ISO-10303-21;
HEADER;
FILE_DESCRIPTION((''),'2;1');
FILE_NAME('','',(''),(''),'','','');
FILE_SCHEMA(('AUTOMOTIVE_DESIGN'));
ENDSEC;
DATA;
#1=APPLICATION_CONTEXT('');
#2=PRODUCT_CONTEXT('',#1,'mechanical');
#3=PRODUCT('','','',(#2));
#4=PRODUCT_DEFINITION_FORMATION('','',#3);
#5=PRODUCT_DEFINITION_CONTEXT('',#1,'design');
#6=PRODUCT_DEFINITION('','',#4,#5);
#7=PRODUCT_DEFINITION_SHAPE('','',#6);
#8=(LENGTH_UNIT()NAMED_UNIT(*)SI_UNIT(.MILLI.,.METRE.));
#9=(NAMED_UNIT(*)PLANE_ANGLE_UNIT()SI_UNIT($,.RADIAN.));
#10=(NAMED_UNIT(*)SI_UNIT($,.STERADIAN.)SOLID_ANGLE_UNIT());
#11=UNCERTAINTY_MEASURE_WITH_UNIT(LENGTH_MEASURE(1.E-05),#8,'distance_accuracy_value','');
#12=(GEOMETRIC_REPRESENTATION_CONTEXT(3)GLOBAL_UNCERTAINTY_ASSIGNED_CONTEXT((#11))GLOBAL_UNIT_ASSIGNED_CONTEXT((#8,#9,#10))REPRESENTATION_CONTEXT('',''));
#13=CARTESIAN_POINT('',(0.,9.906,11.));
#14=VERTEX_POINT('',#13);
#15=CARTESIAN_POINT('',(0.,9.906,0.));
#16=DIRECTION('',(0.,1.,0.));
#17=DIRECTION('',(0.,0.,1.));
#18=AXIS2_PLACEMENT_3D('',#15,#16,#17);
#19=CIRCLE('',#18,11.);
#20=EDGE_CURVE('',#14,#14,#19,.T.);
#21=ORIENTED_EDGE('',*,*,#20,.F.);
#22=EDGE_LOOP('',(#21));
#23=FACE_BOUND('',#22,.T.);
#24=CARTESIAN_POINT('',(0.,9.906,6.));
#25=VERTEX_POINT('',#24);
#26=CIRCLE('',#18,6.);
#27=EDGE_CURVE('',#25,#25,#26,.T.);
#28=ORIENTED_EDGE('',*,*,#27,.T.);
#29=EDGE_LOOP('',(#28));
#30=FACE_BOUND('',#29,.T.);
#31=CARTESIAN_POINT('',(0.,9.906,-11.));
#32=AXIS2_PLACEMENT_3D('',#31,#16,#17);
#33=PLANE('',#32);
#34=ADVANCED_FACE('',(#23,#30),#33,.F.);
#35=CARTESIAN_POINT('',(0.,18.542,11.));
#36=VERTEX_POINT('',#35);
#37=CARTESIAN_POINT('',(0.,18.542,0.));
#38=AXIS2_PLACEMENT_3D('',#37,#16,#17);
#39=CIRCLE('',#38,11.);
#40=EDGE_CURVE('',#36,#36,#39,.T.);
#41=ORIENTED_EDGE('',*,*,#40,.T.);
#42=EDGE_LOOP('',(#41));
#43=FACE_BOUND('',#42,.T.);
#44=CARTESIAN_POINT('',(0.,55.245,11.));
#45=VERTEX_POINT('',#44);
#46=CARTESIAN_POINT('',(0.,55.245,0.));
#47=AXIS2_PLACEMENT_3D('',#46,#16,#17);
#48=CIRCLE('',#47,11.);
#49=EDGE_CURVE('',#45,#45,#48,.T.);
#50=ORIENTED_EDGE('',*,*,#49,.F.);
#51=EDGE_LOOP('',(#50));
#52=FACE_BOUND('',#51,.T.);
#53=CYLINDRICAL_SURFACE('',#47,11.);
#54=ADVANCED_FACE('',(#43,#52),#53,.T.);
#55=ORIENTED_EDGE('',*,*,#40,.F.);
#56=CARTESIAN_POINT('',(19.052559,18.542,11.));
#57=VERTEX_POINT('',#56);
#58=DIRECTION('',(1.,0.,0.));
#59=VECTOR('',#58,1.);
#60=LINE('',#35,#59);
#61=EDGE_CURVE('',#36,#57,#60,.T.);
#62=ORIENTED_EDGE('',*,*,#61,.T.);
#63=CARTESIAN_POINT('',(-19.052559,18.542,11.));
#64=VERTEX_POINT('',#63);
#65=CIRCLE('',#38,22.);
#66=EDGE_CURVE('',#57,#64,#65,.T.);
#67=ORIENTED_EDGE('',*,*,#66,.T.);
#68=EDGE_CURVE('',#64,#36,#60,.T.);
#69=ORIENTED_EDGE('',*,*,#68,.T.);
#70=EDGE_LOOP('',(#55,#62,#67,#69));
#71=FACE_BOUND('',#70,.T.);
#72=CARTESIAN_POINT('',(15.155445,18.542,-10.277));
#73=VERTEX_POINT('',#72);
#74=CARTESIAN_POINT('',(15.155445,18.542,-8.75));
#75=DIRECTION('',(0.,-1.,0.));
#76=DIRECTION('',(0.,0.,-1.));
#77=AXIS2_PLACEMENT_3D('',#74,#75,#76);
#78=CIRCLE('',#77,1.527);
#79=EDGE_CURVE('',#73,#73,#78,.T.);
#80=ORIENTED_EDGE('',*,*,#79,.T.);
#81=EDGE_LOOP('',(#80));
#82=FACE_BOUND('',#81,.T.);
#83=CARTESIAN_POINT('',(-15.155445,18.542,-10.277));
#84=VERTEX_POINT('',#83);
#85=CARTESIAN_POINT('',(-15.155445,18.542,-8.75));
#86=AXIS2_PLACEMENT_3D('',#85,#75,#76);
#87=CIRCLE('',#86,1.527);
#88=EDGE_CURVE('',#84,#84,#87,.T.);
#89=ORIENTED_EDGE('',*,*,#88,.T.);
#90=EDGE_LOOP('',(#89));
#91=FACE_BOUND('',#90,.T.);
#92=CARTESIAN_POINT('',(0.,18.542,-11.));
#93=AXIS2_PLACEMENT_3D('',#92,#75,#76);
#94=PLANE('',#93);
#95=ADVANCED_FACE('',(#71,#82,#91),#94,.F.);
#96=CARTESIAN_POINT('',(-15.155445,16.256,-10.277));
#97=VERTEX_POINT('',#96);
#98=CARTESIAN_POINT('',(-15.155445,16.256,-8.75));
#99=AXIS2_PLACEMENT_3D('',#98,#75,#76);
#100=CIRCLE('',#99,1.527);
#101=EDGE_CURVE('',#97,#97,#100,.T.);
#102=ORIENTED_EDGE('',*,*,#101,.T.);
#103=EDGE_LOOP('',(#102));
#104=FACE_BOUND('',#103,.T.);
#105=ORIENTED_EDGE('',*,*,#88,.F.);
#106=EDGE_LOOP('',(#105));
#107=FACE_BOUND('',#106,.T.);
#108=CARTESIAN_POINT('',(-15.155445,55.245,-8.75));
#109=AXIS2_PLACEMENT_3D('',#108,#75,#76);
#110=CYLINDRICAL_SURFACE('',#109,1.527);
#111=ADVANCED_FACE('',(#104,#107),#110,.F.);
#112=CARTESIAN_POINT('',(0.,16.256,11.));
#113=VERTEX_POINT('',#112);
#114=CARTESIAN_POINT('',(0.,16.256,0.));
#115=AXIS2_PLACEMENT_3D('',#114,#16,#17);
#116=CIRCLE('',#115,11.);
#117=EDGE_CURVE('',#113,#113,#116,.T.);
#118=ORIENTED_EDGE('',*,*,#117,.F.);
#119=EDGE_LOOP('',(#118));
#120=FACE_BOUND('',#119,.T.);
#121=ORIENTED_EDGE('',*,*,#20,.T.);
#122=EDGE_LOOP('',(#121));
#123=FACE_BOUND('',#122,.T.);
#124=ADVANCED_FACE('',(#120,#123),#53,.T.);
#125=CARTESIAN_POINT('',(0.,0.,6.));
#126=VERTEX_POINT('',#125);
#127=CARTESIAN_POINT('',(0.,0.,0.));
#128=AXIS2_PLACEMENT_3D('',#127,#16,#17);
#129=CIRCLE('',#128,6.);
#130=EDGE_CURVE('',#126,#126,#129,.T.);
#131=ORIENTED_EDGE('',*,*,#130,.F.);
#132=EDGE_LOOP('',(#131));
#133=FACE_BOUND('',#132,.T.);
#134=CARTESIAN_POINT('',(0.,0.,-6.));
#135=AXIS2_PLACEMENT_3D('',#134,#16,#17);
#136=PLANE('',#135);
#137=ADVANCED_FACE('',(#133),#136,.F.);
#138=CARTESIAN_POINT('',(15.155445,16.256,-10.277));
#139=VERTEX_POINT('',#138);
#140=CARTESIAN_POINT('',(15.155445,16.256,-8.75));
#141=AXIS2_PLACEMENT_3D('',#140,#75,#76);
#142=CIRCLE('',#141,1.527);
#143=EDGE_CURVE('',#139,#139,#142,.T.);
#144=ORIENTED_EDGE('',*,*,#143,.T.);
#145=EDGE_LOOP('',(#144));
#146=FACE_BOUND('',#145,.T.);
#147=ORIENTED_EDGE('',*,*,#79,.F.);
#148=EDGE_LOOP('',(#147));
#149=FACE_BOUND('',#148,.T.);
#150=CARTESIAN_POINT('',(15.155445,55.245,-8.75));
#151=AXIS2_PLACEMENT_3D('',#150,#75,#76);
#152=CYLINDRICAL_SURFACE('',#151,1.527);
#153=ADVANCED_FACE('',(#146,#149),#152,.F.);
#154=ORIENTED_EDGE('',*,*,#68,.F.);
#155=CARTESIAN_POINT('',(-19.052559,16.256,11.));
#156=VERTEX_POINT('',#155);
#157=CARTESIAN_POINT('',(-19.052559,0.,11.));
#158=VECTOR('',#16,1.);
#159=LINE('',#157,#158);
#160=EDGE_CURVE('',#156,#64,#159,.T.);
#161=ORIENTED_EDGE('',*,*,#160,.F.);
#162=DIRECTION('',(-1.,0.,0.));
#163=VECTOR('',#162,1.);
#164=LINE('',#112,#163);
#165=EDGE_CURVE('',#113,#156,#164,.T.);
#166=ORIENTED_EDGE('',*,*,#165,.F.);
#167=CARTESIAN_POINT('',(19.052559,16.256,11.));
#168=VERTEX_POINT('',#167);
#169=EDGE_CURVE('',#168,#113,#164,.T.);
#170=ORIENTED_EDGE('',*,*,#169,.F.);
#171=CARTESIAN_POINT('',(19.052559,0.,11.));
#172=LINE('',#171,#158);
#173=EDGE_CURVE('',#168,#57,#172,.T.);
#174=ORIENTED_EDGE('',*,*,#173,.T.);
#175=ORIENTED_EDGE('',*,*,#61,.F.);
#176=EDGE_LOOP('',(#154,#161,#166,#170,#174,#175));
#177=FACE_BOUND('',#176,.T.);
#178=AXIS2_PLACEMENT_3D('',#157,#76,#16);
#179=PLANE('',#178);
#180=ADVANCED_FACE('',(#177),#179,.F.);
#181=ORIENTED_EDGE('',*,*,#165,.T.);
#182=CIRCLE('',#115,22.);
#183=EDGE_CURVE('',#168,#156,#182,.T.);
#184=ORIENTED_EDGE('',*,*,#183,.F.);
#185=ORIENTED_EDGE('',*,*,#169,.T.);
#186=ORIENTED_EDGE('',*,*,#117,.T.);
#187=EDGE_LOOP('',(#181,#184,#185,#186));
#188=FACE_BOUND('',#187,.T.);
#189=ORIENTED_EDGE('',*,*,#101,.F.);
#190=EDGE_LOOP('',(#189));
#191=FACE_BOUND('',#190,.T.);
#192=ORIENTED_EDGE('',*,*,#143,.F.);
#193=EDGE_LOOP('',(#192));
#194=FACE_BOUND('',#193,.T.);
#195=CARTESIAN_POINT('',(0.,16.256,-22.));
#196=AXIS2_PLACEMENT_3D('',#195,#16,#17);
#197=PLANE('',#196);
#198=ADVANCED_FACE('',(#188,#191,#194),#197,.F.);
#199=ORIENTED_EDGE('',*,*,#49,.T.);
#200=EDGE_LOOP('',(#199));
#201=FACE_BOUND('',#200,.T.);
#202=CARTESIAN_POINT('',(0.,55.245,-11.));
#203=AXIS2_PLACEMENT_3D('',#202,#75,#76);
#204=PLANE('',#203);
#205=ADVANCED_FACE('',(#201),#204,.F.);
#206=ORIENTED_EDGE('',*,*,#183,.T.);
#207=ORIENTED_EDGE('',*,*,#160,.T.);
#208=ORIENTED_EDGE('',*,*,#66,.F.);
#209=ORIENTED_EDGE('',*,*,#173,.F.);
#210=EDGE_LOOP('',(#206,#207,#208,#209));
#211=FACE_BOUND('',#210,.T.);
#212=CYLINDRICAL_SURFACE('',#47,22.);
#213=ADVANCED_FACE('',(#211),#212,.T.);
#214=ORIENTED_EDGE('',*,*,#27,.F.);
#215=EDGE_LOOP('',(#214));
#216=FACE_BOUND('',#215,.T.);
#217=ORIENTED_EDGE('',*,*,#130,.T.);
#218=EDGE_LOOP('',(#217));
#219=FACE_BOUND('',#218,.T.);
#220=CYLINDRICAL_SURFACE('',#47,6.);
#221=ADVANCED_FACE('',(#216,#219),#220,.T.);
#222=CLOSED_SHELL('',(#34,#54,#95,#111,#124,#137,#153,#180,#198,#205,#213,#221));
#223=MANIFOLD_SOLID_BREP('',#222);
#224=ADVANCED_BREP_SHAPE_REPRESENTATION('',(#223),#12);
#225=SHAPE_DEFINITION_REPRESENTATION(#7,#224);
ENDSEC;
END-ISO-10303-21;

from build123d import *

# Parameters (mm, degrees)
SKETCH2_R               = 1.526999994
CUT_EXTRUDE1_DEPTH      = 50.881280215
CUT_EXTRUDE2_DEPTH      = 49.115592108
CUT_EXTRUDE2_DEPTH_BACK = 49.115592108


with BuildPart() as part:
    # Sketch1 → Revolve1 (revolve)
    with BuildSketch(Plane(origin=(0, 0, 0), x_dir=(0, 0, -1), z_dir=(1, 0, 0)), mode=Mode.PRIVATE) as revolve1_sk:
        Polygon((10.999999971, 18.542), (21.999999942, 18.542), (21.999999942, 16.256), (10.999999971, 16.256), (10.999999971, 9.906), (5.999999938, 9.906), (5.999999938, 0), (0, 0), (0, 55.245), (10.999999971, 55.245), align=None)
    revolve(revolve1_sk.sketch.rotate(Axis((0, 55.245, 0), (0, -1, 0)), 180), axis=Axis((0, 55.245, 0), (0, -1, 0)))

    # Sketch2 → Cut-Extrude1 (cut, through all)
    with BuildSketch(Plane.XZ.offset(-16.256)):
        with Locations(Location((0, 17.500000052, 0), (0, 0, 270))):
            Circle(SKETCH2_R)
        with Locations(Location((15.155444611, -8.750000026, 0), (0, 0, 270))):
            Circle(SKETCH2_R)
        with Locations(Location((-15.155444611, -8.750000026, 0), (0, 0, 270))):
            Circle(SKETCH2_R)
    extrude(amount=-CUT_EXTRUDE1_DEPTH, mode=Mode.SUBTRACT)

    # Sketch4 → Cut-Extrude2 (cut, two sides: drawn at the far end of the back side and taken through both)
    with BuildSketch(Plane(origin=(0, 18.542, 0), x_dir=(1, 0, 0), z_dir=(0, 1, 0)).offset(-CUT_EXTRUDE2_DEPTH_BACK)):
        with BuildLine():
            Line((-19.052558833, -10.999999971), (19.052558833, -10.999999971))
            ThreePointArc((19.052558833, -10.999999971), (0, -21.999999942), (-19.052558833, -10.999999971))
        make_face()
    extrude(amount=CUT_EXTRUDE2_DEPTH + CUT_EXTRUDE2_DEPTH_BACK, mode=Mode.SUBTRACT)


solid = part.part
